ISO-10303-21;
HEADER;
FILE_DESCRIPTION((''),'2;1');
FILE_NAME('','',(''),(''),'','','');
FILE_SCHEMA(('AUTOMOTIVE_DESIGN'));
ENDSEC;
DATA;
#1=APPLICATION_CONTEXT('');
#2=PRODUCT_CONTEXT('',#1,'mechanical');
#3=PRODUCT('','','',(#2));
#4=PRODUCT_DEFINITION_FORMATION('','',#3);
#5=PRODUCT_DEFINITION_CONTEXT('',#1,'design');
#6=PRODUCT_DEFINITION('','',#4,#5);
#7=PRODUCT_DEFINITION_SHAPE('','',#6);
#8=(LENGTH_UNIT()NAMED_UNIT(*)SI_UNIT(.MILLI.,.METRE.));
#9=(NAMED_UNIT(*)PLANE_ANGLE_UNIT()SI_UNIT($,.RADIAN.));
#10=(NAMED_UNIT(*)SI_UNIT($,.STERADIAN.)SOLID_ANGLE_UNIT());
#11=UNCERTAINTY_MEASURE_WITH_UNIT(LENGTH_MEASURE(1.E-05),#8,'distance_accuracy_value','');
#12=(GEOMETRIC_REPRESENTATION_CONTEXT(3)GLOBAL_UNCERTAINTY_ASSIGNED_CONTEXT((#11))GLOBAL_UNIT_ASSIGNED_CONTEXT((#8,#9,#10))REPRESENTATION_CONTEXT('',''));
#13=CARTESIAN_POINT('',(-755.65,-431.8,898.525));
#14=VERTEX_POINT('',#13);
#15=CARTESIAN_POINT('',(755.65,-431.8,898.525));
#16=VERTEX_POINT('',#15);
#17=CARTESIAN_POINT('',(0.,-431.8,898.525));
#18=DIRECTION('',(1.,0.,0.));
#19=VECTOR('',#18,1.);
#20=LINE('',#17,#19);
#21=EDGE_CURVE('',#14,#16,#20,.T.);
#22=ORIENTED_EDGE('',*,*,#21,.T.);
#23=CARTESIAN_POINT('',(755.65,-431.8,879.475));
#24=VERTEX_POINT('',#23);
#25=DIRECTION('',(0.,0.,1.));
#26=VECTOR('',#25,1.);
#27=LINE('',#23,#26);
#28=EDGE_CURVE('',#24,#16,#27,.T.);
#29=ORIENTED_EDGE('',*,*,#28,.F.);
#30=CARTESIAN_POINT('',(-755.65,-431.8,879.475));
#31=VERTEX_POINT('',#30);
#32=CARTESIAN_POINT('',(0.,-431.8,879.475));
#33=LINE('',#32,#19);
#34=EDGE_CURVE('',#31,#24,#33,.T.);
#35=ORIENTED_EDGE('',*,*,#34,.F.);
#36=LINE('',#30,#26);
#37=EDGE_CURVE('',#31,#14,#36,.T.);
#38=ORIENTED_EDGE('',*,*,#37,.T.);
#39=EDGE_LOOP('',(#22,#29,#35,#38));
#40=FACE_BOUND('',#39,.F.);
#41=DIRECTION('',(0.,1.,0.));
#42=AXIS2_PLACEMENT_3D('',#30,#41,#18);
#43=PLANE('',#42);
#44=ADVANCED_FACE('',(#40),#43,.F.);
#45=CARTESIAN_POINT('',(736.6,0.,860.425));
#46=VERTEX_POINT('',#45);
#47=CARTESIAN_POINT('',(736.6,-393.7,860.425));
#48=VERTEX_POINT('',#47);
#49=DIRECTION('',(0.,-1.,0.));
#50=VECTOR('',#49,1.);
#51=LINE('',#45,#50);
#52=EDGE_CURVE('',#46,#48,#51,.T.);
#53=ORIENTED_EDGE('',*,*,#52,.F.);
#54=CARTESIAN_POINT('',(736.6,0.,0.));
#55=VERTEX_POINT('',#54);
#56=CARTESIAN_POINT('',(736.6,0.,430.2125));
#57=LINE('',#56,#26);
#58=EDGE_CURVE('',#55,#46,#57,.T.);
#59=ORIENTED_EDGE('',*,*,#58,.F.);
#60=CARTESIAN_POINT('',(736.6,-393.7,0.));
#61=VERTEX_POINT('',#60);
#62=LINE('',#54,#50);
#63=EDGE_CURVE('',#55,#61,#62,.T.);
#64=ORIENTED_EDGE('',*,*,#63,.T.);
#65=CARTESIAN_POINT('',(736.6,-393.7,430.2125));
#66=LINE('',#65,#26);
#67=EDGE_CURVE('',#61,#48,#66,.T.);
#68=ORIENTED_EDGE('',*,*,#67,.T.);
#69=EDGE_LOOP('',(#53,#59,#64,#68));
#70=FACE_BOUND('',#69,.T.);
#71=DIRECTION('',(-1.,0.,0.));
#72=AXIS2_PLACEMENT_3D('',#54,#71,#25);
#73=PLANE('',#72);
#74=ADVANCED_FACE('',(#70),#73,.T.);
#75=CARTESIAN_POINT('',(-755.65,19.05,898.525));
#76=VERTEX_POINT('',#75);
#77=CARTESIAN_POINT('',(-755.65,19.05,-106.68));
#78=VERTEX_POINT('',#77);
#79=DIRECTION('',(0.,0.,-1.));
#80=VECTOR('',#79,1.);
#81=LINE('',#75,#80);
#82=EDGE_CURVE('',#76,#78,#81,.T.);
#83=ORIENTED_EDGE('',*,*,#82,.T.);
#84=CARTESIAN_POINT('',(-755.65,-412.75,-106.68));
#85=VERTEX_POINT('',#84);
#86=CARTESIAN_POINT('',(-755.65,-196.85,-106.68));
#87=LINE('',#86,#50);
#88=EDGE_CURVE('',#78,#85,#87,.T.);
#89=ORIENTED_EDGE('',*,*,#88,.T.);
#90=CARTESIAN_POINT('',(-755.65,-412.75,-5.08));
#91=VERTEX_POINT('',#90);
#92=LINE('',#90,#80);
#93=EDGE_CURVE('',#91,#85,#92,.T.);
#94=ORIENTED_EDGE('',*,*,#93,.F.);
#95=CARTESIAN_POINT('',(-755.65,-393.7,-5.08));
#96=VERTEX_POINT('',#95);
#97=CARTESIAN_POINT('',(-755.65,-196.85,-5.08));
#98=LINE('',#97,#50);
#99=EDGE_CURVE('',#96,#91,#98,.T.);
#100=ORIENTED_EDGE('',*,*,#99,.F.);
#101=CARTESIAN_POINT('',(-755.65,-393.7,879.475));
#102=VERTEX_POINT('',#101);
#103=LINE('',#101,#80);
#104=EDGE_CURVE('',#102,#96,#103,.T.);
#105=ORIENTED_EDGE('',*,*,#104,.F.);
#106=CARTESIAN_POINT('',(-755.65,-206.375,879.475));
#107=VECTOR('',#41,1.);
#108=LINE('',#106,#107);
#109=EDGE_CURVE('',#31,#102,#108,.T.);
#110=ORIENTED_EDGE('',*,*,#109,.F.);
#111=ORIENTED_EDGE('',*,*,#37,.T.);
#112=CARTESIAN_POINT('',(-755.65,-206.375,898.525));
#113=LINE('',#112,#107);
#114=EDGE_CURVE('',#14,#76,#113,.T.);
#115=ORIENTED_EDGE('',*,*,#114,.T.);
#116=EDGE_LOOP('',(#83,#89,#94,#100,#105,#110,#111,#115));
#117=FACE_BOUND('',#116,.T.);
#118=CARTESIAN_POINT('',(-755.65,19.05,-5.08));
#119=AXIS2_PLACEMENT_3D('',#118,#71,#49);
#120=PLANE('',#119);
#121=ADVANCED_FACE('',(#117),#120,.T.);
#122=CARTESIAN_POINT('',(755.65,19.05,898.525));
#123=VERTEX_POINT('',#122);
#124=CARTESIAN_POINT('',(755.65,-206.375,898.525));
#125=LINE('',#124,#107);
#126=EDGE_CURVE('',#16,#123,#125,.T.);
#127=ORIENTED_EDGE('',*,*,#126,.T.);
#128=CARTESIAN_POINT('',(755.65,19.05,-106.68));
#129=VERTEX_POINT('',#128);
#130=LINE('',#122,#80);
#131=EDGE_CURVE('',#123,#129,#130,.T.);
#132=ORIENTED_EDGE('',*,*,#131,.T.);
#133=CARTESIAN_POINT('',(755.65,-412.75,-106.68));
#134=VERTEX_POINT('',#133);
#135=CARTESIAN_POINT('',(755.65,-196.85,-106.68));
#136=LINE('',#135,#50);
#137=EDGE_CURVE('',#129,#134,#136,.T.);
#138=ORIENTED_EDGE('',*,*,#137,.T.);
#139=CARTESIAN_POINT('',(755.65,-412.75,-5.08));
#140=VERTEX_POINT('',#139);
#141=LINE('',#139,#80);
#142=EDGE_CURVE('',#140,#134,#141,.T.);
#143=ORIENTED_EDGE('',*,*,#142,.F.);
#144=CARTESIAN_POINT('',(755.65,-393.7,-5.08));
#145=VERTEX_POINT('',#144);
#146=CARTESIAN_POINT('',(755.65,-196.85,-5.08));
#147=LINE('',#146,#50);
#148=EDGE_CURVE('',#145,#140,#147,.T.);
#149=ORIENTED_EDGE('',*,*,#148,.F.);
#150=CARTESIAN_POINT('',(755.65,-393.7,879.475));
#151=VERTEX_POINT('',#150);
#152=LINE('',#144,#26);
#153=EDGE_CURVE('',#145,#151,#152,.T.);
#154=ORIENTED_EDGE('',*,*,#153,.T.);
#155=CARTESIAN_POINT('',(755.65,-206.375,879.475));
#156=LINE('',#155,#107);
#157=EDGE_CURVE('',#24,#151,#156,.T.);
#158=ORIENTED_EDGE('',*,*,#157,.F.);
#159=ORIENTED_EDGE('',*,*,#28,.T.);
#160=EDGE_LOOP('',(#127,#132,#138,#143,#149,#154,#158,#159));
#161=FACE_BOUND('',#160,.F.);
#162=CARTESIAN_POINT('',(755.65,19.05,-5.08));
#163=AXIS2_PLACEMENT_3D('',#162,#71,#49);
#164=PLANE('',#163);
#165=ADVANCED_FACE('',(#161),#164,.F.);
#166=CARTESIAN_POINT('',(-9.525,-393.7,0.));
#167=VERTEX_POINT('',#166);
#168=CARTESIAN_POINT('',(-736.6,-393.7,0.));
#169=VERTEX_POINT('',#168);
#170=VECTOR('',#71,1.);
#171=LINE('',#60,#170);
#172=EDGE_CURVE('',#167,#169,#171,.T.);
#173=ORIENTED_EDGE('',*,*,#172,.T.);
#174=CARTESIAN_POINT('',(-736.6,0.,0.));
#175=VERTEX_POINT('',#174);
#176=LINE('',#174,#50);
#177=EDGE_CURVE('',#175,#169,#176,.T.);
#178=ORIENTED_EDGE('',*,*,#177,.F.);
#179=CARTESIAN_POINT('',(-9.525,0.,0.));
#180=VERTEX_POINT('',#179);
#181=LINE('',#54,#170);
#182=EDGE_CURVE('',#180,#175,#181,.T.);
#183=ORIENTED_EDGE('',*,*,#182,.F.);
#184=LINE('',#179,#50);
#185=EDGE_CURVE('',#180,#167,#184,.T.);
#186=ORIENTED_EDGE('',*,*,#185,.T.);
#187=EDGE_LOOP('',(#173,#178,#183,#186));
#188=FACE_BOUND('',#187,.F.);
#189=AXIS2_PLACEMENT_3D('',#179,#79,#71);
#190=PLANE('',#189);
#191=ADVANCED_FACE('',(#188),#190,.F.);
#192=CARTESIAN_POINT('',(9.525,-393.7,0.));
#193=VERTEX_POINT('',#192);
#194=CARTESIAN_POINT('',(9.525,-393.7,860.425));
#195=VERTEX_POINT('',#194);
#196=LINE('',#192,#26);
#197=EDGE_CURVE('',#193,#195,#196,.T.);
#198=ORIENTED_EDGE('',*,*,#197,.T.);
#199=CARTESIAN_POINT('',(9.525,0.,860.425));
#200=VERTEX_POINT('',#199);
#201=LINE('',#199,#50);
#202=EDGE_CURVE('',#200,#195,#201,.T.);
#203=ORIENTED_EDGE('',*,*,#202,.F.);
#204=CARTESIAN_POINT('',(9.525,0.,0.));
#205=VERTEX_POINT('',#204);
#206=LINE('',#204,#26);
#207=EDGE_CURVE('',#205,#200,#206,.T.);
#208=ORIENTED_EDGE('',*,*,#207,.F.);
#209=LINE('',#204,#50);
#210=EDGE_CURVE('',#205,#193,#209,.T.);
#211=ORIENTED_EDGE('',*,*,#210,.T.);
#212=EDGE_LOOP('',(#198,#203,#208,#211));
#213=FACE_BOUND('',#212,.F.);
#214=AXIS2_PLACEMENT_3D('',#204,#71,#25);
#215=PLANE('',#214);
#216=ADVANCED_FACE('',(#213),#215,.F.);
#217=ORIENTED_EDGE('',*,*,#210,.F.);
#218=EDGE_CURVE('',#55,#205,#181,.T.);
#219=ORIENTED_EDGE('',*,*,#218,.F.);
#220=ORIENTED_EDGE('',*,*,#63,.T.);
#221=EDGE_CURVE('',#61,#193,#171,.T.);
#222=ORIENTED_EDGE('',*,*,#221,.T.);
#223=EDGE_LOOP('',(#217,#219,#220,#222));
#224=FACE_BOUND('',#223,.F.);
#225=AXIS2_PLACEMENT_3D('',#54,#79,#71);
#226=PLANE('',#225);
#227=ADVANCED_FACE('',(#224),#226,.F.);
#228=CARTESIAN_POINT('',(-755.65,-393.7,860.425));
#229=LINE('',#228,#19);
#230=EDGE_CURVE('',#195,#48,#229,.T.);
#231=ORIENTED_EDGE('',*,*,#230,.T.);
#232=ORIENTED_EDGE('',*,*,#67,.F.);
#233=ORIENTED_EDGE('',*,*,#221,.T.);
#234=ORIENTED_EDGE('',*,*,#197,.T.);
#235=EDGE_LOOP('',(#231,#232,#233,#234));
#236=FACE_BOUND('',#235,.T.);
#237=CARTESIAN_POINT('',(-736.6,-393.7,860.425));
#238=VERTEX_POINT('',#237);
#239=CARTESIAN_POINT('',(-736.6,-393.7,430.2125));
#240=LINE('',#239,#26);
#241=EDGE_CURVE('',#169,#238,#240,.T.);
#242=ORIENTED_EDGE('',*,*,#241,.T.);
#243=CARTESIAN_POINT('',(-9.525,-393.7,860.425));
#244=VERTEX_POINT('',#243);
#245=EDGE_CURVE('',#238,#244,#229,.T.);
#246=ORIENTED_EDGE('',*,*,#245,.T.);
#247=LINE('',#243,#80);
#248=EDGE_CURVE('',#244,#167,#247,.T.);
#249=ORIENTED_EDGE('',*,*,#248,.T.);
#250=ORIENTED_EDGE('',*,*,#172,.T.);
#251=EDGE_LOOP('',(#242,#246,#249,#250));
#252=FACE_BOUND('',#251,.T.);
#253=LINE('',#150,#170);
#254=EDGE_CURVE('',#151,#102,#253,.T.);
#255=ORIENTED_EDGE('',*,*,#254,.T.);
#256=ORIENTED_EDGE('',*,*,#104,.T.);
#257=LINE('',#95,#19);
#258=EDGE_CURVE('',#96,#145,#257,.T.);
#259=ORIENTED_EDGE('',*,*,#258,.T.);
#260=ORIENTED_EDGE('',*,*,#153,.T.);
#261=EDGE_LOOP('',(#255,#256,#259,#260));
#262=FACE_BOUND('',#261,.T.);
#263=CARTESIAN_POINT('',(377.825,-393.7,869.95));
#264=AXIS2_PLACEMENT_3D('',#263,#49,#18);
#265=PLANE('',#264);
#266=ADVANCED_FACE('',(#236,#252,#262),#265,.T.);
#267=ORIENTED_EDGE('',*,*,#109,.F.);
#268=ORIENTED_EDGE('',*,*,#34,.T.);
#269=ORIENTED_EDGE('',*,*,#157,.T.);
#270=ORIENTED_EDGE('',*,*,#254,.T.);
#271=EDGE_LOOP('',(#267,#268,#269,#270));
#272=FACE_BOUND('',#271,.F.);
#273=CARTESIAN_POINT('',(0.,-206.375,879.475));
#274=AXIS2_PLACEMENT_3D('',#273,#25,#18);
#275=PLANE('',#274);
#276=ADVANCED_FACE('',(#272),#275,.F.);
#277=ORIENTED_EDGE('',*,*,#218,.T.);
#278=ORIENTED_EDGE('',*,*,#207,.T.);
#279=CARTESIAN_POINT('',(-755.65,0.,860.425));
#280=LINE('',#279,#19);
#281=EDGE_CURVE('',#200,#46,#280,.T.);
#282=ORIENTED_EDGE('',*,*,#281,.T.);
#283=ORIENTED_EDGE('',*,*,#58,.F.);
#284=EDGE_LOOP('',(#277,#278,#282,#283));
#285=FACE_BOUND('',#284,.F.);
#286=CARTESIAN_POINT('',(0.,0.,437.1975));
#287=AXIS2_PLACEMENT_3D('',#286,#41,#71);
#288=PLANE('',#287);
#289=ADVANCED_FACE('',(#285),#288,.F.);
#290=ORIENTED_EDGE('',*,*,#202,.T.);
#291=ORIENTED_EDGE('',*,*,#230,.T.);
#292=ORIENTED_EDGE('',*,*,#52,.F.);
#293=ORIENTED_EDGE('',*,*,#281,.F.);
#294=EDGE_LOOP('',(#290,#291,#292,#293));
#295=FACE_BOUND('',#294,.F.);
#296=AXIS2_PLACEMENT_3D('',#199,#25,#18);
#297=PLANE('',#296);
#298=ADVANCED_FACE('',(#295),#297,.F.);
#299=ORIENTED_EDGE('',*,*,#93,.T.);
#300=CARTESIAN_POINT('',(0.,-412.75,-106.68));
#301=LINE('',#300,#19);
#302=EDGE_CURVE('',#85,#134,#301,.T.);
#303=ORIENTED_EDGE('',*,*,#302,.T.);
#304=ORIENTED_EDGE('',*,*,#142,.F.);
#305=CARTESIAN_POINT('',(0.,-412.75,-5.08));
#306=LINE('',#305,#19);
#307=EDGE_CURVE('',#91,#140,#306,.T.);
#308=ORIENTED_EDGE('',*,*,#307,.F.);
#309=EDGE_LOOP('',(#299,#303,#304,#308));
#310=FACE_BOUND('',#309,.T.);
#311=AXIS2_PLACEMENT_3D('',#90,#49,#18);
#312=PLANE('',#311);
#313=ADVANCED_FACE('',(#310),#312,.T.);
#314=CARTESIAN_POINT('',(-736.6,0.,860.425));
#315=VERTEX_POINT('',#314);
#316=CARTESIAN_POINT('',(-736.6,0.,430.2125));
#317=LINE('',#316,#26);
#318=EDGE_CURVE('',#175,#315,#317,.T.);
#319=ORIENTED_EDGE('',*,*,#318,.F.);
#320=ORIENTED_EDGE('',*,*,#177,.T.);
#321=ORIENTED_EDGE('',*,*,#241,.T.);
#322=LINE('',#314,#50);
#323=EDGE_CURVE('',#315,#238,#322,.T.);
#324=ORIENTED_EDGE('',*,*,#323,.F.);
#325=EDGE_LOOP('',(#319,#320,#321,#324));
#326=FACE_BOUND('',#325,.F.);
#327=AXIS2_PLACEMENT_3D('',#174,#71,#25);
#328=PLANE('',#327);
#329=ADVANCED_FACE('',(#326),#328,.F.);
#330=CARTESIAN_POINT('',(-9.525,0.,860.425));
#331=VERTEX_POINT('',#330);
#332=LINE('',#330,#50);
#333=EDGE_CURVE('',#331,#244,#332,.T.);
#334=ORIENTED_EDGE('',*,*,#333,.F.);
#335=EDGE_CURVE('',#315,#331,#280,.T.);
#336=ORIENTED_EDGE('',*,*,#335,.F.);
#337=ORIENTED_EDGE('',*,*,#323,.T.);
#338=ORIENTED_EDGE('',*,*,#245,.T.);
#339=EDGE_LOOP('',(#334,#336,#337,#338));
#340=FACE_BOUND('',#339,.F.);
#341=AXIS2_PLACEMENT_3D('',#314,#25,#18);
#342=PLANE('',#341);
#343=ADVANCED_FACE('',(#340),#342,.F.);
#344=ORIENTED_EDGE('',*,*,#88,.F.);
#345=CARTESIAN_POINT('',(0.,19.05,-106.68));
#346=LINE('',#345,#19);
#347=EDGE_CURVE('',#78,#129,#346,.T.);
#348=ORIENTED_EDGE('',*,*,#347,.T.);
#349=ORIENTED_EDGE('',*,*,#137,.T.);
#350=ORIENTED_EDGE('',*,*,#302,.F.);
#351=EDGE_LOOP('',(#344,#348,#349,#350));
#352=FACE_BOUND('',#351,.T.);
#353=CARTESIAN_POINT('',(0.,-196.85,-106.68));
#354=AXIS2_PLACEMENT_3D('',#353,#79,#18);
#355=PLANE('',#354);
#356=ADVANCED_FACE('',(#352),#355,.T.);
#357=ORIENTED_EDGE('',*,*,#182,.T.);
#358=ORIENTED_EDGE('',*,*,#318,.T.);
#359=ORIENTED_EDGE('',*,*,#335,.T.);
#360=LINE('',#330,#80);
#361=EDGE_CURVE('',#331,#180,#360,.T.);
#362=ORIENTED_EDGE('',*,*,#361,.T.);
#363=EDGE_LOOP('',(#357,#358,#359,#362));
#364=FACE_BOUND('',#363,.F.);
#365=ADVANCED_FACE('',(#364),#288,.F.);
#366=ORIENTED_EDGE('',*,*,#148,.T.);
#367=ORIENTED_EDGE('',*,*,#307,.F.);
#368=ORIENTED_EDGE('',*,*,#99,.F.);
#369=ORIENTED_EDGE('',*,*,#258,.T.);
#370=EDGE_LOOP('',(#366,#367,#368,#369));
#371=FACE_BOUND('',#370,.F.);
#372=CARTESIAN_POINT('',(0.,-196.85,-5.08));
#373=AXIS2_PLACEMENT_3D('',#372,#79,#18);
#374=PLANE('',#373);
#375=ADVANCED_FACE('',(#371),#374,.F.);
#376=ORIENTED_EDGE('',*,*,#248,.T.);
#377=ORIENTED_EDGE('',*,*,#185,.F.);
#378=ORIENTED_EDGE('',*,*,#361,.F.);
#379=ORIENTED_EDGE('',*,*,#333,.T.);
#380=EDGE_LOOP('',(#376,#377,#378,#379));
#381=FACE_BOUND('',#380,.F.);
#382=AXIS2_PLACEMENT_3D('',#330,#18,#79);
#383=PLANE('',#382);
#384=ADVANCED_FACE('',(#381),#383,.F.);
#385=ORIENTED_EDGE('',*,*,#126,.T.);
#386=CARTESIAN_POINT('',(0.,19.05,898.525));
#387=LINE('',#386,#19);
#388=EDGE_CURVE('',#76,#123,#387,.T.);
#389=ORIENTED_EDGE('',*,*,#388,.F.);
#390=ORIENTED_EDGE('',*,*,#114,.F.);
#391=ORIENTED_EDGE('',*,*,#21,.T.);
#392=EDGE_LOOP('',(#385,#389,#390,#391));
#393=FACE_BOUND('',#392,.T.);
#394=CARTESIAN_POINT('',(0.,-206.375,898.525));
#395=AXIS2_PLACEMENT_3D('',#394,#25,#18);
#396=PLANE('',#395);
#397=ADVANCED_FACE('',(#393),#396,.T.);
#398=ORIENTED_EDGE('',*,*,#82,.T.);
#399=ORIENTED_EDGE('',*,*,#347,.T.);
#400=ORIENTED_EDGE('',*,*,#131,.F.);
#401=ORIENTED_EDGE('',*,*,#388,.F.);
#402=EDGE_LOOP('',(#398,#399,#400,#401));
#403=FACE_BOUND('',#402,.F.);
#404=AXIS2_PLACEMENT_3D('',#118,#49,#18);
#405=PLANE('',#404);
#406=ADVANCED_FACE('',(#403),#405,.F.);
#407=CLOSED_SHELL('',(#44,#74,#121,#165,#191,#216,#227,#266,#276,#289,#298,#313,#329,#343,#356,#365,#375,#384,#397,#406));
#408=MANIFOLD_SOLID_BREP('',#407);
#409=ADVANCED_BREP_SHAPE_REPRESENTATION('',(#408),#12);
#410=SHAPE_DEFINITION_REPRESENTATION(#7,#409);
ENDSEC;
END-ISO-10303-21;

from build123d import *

# Parameters (mm, degrees)
F0_W     = 19.05
F0_H     = 860.425
F1_DEPTH = 393.7
F2_W     = 1511.3
F2_H     = 884.555
F3_DEPTH = 19.05
F4_W     = 1511.3
F4_H     = 450.85
F5_DEPTH = 19.05
F6_W     = 1511.3
F6_H     = 431.8
F7_DEPTH = 101.6


with BuildPart() as f1:
    # F0 (on Front) → F1 (new body)
    with BuildSketch(Plane.XZ):
        Polygon((0, 879.475), (0, 860.425), (9.525, 860.425), (736.6, 860.425), (755.65, 860.425), (755.65, 879.475), align=None)
        Polygon((-9.525, 860.425), (0, 860.425), (0, 879.475), (-755.65, 879.475), (-755.65, 860.425), (-736.6, 860.425), align=None)
        with Locations((746.125, 430.2125)):
            Rectangle(F0_W, F0_H)
        Polygon((736.6, 0), (9.525, 0), (0, 0), (-9.525, 0), (-736.6, 0), (-755.65, 0), (-755.65, -5.08), (755.65, -5.08), (755.65, 0), align=None)
        with Locations((-746.125, 430.2125)):
            Rectangle(F0_W, F0_H)
        Polygon((9.525, 860.425), (0, 860.425), (-9.525, 860.425), (-9.525, 0), (0, 0), (9.525, 0), align=None)
    extrude(amount=F1_DEPTH)

    # F2 (on face) → F3 (join)
    with BuildSketch(Plane(origin=(0, 0, 0), x_dir=(-1, 0, 0), z_dir=(0, 1, 0))):
        with Locations((0, 437.1975)):
            Rectangle(F2_W, F2_H)
    extrude(amount=F3_DEPTH)

    # F4 (on face) → F5 (join)
    with BuildSketch(Plane.XY.offset(879.475)):
        with Locations((0, -206.375)):
            Rectangle(F4_W, F4_H)
    extrude(amount=F5_DEPTH)

    # F6 (on face) → F7 (join)
    with BuildSketch(Plane(origin=(0, 0, -5.08), x_dir=(1, 0, 0), z_dir=(0, 0, -1))):
        with Locations((0, 196.85)):
            Rectangle(F6_W, F6_H)
    extrude(amount=F7_DEPTH)


solid = f1.part
